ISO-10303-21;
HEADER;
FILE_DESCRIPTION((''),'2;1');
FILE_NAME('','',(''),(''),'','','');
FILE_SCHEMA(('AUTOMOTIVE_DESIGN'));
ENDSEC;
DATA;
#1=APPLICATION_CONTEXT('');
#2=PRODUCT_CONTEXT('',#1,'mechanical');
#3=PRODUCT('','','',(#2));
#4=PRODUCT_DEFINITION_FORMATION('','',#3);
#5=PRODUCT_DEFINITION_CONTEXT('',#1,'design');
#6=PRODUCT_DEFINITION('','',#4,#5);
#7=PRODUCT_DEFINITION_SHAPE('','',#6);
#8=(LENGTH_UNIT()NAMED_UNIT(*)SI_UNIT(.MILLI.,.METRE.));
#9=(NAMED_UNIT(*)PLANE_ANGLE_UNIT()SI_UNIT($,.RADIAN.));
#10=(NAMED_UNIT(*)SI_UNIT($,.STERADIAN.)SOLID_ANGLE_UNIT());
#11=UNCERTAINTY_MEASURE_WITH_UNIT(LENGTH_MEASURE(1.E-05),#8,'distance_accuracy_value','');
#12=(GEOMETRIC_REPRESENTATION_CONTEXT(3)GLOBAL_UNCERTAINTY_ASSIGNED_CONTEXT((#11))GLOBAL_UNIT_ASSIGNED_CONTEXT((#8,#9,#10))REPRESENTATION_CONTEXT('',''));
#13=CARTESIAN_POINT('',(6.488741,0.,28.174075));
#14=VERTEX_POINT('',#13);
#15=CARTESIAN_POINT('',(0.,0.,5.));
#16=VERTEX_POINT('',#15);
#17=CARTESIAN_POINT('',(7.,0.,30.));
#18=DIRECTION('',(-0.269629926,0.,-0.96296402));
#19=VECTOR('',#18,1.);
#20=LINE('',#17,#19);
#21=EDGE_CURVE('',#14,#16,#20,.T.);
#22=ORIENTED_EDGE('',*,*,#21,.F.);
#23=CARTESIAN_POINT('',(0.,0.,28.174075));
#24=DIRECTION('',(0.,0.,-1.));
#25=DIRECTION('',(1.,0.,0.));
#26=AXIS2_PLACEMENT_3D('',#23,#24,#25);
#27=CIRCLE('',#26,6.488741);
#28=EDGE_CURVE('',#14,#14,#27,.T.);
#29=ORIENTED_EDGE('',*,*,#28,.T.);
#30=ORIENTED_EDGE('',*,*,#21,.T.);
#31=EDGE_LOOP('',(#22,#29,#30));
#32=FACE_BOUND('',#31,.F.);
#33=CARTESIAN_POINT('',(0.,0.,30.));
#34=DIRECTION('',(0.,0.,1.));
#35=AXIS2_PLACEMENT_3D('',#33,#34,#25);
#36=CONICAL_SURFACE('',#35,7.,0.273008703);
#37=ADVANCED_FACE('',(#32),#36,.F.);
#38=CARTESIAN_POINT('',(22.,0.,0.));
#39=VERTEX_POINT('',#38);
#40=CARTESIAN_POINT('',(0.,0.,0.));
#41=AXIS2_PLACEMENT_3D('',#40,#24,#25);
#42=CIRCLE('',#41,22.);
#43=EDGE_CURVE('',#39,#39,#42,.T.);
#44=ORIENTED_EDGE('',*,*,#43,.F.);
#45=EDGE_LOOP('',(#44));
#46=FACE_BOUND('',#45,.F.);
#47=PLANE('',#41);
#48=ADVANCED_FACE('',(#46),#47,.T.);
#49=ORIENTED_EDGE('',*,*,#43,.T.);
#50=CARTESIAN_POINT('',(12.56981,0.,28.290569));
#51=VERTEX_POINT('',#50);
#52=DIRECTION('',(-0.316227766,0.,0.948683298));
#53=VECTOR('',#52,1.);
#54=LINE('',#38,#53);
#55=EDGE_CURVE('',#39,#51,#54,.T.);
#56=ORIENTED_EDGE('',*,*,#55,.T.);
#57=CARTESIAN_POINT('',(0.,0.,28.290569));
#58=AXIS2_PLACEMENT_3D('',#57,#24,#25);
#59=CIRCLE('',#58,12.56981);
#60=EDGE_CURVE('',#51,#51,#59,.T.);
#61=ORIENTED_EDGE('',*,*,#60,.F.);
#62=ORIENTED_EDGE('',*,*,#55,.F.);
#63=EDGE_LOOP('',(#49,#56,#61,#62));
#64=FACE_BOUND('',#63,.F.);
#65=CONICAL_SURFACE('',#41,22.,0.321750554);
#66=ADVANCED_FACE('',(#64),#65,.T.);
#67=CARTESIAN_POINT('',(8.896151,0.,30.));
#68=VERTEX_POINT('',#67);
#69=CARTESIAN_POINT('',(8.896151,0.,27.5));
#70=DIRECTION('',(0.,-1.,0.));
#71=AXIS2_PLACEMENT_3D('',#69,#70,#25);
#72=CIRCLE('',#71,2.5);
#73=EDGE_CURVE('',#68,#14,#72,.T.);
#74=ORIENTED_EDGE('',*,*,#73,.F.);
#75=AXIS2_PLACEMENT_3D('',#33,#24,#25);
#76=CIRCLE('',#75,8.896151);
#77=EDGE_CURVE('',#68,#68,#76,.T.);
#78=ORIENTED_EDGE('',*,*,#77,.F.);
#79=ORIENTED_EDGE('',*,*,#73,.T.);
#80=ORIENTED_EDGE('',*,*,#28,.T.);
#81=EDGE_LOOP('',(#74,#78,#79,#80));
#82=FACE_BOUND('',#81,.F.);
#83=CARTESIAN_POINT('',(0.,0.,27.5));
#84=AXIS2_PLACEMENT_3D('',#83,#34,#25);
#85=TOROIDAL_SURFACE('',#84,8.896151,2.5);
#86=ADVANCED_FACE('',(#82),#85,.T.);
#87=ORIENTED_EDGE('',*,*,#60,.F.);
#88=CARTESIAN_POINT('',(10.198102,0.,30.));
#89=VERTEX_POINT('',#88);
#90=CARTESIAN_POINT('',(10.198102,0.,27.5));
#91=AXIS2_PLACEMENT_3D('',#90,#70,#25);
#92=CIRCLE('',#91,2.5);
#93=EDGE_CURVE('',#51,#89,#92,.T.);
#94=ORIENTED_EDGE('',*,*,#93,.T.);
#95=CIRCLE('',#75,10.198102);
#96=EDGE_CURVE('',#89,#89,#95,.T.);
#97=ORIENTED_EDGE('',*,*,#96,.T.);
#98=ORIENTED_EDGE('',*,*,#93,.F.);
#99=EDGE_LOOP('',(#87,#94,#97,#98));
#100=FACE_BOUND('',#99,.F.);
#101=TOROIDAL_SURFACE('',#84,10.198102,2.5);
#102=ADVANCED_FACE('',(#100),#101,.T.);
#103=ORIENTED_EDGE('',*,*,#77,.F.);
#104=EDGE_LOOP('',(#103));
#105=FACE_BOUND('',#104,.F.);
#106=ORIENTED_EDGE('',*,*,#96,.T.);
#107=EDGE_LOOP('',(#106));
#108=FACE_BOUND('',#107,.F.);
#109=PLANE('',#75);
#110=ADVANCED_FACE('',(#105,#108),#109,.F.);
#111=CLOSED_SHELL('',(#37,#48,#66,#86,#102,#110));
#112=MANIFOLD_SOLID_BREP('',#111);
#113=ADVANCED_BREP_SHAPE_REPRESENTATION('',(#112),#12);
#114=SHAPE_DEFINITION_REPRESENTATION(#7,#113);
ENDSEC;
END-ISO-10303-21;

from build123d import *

# Parameters (mm, degrees)
F2_R = 2.5


with BuildPart() as f1:
    # F0 (on Front) → F1 (revolve)
    with BuildSketch(Plane.XZ):
        Polygon((0, 5), (0, 0), (22, 0), (12, 30), (7, 30), align=None)
    revolve(axis=Axis((0, 0, 2.5), (0, 0, -1)))

    # F2
    f2_edges = [f1.edges().sort_by_distance(p)[0] for p in [
        (-12, 0, 30),
        (-7, 0, 30),
    ]]
    fillet(f2_edges, radius=F2_R)


solid = f1.part
